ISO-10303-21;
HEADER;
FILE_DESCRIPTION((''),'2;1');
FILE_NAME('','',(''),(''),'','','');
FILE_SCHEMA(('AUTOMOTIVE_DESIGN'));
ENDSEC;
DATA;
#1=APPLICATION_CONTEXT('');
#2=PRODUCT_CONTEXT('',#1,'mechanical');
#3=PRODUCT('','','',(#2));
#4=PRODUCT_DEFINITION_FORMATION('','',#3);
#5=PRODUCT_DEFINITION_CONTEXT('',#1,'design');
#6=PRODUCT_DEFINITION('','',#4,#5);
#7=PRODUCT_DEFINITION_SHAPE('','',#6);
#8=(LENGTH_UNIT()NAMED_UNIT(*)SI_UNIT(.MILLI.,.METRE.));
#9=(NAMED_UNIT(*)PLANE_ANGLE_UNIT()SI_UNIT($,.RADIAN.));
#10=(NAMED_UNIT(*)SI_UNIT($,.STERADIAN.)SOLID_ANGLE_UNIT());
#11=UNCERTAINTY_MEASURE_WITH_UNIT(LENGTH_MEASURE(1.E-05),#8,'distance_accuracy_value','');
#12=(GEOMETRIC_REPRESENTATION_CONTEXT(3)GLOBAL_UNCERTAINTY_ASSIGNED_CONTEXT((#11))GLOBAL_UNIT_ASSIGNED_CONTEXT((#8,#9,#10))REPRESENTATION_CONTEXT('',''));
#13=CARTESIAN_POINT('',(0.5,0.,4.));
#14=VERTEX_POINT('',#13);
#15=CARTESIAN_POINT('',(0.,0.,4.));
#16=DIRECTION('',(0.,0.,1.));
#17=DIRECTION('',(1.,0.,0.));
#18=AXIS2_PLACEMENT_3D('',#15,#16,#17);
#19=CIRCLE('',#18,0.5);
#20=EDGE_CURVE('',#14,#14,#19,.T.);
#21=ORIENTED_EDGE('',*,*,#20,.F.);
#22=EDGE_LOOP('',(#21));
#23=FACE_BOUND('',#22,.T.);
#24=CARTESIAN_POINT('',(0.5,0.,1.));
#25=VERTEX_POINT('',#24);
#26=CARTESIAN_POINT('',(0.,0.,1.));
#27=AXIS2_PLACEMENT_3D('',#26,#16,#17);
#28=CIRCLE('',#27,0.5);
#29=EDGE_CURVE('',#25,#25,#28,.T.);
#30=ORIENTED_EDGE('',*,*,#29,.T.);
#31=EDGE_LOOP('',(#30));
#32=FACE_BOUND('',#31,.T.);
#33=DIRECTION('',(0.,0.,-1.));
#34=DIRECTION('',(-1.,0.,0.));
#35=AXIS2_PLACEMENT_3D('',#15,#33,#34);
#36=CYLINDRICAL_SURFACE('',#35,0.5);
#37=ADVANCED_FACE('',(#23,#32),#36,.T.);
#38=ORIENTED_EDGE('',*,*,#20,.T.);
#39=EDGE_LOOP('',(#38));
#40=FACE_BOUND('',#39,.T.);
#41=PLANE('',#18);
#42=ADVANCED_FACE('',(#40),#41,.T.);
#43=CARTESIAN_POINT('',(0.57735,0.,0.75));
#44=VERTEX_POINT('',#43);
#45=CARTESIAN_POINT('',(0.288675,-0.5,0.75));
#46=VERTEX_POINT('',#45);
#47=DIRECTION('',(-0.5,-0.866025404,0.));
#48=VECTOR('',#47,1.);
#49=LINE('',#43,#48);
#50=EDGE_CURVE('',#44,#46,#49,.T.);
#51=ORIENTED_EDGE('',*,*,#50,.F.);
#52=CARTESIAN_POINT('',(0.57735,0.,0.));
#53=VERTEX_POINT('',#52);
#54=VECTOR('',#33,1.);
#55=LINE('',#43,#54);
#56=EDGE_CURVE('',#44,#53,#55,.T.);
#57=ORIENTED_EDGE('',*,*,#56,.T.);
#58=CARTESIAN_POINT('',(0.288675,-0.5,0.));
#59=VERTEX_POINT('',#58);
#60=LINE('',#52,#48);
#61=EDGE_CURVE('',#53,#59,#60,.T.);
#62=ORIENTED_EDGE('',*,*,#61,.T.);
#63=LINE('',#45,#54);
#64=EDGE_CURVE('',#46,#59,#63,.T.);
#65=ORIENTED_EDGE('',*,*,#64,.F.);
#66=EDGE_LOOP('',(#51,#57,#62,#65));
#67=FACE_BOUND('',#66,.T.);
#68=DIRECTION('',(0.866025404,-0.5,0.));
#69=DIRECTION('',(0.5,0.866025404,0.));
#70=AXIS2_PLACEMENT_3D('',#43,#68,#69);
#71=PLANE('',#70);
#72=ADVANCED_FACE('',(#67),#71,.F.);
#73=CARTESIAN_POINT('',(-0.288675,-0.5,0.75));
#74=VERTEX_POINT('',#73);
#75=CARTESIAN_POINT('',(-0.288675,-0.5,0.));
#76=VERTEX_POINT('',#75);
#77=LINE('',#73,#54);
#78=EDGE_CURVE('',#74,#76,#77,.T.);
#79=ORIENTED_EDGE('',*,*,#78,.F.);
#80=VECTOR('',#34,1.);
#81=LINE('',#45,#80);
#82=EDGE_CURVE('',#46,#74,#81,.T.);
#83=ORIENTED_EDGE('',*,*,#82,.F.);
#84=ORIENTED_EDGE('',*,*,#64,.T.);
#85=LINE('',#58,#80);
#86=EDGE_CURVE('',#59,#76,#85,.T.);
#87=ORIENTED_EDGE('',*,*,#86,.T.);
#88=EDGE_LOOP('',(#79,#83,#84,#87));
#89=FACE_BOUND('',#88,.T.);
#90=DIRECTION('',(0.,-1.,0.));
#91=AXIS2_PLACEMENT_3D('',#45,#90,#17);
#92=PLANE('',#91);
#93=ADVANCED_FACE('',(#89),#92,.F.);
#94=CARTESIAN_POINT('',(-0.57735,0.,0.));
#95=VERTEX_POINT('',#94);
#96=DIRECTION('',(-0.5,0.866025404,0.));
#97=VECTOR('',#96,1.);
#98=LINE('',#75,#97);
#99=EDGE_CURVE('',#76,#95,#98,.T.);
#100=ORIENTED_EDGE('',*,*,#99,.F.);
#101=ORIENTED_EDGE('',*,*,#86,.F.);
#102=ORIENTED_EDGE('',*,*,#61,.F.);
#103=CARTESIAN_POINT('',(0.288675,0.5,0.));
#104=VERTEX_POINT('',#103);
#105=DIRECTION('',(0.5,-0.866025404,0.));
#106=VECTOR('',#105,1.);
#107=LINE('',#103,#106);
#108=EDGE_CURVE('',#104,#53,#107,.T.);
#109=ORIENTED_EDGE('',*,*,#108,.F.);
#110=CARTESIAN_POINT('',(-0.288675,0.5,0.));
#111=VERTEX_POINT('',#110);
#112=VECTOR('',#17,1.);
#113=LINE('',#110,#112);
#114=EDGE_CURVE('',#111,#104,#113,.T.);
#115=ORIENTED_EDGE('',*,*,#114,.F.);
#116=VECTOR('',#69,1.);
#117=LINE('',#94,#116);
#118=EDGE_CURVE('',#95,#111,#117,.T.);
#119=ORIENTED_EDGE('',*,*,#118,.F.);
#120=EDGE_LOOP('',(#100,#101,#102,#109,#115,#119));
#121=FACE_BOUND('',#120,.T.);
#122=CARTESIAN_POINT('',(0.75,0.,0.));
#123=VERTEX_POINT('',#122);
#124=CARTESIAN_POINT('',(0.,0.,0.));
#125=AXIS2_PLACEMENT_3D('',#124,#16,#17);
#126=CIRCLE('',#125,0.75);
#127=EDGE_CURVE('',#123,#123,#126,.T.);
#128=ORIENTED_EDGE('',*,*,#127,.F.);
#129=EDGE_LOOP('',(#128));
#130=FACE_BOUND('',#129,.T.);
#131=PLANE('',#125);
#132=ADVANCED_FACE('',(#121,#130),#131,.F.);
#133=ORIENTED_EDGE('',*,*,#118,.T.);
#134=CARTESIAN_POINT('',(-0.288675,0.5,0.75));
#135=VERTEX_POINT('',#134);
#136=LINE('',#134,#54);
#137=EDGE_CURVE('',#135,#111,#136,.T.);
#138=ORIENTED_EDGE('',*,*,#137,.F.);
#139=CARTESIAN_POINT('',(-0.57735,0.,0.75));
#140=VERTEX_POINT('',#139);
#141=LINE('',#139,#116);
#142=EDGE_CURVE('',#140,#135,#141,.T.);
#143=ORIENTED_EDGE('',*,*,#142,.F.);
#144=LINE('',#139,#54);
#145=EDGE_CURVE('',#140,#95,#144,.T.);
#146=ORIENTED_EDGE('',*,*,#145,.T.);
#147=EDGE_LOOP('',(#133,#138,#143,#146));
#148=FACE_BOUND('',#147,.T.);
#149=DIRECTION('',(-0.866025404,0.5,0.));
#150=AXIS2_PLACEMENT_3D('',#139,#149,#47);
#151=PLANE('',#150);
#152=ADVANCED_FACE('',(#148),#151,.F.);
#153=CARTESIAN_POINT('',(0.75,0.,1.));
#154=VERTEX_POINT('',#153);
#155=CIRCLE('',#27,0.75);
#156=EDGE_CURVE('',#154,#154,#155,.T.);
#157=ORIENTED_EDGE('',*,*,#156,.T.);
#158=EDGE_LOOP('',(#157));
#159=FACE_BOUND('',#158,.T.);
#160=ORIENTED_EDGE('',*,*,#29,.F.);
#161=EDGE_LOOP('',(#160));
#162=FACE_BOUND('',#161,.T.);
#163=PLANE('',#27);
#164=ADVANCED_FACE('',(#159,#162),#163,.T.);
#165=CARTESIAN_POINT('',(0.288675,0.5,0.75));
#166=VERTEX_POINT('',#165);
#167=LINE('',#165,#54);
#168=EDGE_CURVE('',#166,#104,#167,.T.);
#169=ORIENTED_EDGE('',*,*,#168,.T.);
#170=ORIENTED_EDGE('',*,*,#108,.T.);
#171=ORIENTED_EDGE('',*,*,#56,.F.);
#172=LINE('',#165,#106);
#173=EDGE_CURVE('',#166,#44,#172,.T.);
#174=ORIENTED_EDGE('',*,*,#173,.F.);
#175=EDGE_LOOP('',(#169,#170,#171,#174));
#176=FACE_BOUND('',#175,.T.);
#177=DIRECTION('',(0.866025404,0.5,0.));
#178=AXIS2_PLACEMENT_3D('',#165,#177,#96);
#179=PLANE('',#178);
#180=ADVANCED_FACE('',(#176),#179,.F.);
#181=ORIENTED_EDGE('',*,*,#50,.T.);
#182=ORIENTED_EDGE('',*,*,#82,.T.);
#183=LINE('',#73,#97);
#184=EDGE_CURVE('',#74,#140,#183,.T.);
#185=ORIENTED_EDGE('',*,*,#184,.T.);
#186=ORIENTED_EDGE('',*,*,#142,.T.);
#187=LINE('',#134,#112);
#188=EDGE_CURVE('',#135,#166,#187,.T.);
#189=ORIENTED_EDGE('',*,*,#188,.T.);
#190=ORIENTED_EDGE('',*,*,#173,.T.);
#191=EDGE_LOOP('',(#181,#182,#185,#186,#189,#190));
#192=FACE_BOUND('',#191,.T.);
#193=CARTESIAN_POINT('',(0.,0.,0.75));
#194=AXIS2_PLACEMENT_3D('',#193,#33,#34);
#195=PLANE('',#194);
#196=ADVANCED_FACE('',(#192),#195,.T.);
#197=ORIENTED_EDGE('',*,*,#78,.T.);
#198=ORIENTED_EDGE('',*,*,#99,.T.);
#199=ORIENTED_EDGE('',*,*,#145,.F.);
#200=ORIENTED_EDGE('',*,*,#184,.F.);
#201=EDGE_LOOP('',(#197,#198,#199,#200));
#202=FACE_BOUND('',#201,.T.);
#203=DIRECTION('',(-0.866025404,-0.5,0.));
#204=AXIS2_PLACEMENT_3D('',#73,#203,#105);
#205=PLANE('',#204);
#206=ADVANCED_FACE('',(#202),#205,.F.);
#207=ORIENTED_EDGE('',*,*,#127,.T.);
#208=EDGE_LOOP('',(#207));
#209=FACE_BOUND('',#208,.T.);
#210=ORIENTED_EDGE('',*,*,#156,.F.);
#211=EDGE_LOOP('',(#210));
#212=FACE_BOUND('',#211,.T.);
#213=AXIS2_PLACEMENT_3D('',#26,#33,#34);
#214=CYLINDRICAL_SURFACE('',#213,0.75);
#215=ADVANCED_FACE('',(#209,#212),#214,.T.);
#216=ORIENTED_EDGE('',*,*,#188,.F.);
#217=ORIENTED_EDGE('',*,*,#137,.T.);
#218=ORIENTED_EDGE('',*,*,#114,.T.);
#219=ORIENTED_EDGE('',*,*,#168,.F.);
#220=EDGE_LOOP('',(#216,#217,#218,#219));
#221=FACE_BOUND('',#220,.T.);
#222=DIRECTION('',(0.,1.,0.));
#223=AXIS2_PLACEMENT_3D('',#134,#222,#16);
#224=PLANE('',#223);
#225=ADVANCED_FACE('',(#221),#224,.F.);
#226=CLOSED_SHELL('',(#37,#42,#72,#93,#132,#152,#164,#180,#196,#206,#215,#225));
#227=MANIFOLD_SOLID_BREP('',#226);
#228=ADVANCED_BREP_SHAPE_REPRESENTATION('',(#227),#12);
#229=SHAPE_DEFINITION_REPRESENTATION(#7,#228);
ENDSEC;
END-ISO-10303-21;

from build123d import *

# Parameters (mm, degrees)
CROQUIS1_R              = 0.75
SALIENTE_EXTRUIR1_DEPTH = 1
CROQUIS2_R              = 0.5
SALIENTE_EXTRUIR2_DEPTH = 3
CORTAR_EXTRUIR1_DEPTH   = 0.75


with BuildPart() as part:
    # Croquis1 → Saliente-Extruir1 (new body)
    with BuildSketch(Plane.XY):
        Circle(CROQUIS1_R)
    extrude(amount=SALIENTE_EXTRUIR1_DEPTH)

    # Croquis2 → Saliente-Extruir2 (add)
    with BuildSketch(Plane.XY.offset(1)):
        Circle(CROQUIS2_R)
    extrude(amount=SALIENTE_EXTRUIR2_DEPTH)

    # Croquis3 → Cortar-Extruir1 (cut)
    with BuildSketch(Plane(origin=(0, 0, 0), x_dir=(-1, 0, 0), z_dir=(0, 0, -1))):
        Polygon((0.577350269, 0), (0.288675135, 0.5), (-0.288675135, 0.5), (-0.577350269, 0), (-0.288675135, -0.5), (0.288675135, -0.5), align=None)
    extrude(amount=-CORTAR_EXTRUIR1_DEPTH, mode=Mode.SUBTRACT)


solid = part.part
